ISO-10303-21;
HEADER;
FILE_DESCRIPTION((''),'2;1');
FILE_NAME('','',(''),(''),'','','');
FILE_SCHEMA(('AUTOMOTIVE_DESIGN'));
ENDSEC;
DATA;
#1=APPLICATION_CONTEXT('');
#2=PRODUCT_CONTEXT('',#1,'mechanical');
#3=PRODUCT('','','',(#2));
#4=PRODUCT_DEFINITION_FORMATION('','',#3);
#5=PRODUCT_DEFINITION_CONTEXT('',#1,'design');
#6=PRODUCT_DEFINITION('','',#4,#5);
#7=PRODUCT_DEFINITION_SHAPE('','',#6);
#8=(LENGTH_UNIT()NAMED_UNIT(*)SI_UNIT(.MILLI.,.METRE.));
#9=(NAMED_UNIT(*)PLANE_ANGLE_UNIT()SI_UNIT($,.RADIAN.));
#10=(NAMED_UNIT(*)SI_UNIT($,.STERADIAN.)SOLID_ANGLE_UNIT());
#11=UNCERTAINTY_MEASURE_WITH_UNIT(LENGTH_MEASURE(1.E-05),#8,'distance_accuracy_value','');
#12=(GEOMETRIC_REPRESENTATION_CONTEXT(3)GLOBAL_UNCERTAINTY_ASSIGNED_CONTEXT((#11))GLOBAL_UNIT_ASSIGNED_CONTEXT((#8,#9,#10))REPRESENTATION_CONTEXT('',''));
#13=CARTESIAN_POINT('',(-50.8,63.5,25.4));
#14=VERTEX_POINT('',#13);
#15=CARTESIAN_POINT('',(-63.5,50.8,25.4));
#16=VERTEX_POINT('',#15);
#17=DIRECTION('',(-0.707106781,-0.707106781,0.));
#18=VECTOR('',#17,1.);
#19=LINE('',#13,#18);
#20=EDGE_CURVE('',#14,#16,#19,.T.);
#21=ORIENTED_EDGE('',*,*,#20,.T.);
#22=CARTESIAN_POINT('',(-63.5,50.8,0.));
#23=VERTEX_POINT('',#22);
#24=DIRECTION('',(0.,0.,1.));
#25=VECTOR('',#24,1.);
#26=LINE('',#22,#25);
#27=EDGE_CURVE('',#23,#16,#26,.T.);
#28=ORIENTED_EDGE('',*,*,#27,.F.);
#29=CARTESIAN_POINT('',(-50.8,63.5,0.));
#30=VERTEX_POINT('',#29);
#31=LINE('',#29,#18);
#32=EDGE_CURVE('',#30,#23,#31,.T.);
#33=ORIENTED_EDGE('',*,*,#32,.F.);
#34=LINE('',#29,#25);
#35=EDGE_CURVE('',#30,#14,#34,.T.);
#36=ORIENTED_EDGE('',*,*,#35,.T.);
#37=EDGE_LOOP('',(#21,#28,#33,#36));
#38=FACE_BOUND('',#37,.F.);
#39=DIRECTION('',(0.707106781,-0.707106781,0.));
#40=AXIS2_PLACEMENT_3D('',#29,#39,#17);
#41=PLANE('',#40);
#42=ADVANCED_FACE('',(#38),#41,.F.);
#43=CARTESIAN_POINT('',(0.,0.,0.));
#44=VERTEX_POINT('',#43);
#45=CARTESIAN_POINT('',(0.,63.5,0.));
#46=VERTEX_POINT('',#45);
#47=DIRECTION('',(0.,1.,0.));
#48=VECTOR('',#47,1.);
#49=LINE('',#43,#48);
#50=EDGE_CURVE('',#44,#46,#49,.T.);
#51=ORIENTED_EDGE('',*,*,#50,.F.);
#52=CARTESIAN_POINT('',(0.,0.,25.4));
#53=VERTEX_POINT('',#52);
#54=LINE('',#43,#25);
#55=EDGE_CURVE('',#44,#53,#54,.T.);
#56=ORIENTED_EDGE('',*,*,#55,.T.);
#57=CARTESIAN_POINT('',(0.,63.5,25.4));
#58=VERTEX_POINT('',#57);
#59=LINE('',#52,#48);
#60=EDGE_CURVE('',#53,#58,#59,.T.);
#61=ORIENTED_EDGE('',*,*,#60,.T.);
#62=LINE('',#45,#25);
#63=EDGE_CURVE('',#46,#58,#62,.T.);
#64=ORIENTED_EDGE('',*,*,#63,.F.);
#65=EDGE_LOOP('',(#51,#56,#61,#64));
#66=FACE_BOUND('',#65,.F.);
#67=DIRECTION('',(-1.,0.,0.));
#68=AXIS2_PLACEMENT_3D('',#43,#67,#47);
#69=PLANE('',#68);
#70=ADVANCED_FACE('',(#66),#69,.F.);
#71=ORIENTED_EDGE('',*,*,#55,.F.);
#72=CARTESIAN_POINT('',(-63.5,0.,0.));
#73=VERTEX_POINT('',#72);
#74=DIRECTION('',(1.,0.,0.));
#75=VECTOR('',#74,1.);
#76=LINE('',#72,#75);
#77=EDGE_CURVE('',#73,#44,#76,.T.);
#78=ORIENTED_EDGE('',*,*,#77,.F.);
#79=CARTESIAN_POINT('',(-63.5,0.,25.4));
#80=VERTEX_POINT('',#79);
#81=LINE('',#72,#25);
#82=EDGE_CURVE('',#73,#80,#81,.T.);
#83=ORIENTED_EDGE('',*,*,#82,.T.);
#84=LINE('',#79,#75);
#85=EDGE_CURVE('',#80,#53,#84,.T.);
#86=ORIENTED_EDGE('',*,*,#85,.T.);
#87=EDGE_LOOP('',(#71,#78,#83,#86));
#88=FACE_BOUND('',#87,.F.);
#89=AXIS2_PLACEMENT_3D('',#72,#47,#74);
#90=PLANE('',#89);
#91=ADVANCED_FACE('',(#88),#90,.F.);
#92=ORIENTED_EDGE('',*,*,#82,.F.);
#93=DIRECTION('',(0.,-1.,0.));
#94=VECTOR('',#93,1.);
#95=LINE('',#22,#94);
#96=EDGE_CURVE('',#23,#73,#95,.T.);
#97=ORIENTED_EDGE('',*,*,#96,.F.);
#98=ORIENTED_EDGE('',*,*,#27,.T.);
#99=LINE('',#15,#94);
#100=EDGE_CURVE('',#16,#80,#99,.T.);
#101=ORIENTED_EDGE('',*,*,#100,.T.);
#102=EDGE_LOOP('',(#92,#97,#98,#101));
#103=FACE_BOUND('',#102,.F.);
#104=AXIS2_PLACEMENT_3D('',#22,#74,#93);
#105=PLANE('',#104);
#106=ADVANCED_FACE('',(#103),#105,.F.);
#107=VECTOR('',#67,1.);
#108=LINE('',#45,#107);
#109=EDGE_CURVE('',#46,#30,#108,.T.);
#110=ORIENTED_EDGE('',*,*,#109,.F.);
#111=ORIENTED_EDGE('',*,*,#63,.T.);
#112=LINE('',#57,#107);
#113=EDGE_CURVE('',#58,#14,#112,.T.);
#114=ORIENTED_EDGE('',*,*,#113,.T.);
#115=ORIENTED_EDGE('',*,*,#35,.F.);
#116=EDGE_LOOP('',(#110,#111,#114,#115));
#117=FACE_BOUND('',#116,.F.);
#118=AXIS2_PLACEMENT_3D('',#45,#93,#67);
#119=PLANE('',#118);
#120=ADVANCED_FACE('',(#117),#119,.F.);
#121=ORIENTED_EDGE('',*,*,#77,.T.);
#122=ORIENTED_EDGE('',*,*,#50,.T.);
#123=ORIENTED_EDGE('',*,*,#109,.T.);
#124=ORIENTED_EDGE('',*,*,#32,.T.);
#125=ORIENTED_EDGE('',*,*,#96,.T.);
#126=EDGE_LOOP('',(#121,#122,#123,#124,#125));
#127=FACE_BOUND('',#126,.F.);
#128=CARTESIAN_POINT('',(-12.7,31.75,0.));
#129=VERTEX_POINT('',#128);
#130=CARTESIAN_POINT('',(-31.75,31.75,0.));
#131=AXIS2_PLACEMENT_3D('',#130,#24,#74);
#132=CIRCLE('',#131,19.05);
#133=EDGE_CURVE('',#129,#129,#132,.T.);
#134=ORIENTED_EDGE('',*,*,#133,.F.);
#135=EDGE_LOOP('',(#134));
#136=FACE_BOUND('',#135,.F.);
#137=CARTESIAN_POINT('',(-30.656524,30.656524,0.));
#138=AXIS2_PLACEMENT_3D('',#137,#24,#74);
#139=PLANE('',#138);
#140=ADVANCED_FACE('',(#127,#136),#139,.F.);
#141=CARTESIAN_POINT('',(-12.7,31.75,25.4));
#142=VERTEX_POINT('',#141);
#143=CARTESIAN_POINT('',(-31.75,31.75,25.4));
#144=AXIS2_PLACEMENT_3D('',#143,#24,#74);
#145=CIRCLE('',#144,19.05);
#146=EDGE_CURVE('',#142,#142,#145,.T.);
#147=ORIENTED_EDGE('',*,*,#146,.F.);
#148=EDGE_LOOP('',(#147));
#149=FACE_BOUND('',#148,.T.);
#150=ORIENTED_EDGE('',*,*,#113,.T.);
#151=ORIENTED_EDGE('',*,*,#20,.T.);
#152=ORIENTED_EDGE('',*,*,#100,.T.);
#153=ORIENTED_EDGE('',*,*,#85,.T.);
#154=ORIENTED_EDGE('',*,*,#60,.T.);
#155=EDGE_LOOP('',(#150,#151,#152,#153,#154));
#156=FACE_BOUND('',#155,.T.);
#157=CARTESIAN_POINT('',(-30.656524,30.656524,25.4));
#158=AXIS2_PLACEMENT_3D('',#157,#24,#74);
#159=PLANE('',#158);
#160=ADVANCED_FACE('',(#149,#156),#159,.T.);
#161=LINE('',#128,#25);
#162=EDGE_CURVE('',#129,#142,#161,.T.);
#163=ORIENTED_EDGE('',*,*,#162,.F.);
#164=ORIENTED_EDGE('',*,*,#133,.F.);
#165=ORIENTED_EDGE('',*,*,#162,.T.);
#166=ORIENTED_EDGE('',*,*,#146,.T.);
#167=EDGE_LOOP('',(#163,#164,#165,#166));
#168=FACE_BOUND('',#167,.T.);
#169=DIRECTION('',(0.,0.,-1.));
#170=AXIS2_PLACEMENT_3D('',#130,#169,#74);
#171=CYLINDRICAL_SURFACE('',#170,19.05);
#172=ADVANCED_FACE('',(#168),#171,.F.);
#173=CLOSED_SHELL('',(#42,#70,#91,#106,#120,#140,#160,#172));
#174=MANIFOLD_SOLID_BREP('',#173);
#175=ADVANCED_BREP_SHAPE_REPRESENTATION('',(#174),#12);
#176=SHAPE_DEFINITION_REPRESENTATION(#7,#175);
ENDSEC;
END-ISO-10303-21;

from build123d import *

# Parameters (mm, degrees)
F0_R     = 19.05
F1_DEPTH = 25.4


with BuildPart() as f1:
    # F0 (on Top) → F1 (new body)
    with BuildSketch(Plane.XY):
        Polygon((-63.5, 0), (0, 0), (0, 63.5), (-50.8, 63.5), (-63.5, 50.8), align=None)
        with Locations((-31.75, 31.75)):
            Circle(F0_R, mode=Mode.SUBTRACT)
    extrude(amount=F1_DEPTH)


solid = f1.part
